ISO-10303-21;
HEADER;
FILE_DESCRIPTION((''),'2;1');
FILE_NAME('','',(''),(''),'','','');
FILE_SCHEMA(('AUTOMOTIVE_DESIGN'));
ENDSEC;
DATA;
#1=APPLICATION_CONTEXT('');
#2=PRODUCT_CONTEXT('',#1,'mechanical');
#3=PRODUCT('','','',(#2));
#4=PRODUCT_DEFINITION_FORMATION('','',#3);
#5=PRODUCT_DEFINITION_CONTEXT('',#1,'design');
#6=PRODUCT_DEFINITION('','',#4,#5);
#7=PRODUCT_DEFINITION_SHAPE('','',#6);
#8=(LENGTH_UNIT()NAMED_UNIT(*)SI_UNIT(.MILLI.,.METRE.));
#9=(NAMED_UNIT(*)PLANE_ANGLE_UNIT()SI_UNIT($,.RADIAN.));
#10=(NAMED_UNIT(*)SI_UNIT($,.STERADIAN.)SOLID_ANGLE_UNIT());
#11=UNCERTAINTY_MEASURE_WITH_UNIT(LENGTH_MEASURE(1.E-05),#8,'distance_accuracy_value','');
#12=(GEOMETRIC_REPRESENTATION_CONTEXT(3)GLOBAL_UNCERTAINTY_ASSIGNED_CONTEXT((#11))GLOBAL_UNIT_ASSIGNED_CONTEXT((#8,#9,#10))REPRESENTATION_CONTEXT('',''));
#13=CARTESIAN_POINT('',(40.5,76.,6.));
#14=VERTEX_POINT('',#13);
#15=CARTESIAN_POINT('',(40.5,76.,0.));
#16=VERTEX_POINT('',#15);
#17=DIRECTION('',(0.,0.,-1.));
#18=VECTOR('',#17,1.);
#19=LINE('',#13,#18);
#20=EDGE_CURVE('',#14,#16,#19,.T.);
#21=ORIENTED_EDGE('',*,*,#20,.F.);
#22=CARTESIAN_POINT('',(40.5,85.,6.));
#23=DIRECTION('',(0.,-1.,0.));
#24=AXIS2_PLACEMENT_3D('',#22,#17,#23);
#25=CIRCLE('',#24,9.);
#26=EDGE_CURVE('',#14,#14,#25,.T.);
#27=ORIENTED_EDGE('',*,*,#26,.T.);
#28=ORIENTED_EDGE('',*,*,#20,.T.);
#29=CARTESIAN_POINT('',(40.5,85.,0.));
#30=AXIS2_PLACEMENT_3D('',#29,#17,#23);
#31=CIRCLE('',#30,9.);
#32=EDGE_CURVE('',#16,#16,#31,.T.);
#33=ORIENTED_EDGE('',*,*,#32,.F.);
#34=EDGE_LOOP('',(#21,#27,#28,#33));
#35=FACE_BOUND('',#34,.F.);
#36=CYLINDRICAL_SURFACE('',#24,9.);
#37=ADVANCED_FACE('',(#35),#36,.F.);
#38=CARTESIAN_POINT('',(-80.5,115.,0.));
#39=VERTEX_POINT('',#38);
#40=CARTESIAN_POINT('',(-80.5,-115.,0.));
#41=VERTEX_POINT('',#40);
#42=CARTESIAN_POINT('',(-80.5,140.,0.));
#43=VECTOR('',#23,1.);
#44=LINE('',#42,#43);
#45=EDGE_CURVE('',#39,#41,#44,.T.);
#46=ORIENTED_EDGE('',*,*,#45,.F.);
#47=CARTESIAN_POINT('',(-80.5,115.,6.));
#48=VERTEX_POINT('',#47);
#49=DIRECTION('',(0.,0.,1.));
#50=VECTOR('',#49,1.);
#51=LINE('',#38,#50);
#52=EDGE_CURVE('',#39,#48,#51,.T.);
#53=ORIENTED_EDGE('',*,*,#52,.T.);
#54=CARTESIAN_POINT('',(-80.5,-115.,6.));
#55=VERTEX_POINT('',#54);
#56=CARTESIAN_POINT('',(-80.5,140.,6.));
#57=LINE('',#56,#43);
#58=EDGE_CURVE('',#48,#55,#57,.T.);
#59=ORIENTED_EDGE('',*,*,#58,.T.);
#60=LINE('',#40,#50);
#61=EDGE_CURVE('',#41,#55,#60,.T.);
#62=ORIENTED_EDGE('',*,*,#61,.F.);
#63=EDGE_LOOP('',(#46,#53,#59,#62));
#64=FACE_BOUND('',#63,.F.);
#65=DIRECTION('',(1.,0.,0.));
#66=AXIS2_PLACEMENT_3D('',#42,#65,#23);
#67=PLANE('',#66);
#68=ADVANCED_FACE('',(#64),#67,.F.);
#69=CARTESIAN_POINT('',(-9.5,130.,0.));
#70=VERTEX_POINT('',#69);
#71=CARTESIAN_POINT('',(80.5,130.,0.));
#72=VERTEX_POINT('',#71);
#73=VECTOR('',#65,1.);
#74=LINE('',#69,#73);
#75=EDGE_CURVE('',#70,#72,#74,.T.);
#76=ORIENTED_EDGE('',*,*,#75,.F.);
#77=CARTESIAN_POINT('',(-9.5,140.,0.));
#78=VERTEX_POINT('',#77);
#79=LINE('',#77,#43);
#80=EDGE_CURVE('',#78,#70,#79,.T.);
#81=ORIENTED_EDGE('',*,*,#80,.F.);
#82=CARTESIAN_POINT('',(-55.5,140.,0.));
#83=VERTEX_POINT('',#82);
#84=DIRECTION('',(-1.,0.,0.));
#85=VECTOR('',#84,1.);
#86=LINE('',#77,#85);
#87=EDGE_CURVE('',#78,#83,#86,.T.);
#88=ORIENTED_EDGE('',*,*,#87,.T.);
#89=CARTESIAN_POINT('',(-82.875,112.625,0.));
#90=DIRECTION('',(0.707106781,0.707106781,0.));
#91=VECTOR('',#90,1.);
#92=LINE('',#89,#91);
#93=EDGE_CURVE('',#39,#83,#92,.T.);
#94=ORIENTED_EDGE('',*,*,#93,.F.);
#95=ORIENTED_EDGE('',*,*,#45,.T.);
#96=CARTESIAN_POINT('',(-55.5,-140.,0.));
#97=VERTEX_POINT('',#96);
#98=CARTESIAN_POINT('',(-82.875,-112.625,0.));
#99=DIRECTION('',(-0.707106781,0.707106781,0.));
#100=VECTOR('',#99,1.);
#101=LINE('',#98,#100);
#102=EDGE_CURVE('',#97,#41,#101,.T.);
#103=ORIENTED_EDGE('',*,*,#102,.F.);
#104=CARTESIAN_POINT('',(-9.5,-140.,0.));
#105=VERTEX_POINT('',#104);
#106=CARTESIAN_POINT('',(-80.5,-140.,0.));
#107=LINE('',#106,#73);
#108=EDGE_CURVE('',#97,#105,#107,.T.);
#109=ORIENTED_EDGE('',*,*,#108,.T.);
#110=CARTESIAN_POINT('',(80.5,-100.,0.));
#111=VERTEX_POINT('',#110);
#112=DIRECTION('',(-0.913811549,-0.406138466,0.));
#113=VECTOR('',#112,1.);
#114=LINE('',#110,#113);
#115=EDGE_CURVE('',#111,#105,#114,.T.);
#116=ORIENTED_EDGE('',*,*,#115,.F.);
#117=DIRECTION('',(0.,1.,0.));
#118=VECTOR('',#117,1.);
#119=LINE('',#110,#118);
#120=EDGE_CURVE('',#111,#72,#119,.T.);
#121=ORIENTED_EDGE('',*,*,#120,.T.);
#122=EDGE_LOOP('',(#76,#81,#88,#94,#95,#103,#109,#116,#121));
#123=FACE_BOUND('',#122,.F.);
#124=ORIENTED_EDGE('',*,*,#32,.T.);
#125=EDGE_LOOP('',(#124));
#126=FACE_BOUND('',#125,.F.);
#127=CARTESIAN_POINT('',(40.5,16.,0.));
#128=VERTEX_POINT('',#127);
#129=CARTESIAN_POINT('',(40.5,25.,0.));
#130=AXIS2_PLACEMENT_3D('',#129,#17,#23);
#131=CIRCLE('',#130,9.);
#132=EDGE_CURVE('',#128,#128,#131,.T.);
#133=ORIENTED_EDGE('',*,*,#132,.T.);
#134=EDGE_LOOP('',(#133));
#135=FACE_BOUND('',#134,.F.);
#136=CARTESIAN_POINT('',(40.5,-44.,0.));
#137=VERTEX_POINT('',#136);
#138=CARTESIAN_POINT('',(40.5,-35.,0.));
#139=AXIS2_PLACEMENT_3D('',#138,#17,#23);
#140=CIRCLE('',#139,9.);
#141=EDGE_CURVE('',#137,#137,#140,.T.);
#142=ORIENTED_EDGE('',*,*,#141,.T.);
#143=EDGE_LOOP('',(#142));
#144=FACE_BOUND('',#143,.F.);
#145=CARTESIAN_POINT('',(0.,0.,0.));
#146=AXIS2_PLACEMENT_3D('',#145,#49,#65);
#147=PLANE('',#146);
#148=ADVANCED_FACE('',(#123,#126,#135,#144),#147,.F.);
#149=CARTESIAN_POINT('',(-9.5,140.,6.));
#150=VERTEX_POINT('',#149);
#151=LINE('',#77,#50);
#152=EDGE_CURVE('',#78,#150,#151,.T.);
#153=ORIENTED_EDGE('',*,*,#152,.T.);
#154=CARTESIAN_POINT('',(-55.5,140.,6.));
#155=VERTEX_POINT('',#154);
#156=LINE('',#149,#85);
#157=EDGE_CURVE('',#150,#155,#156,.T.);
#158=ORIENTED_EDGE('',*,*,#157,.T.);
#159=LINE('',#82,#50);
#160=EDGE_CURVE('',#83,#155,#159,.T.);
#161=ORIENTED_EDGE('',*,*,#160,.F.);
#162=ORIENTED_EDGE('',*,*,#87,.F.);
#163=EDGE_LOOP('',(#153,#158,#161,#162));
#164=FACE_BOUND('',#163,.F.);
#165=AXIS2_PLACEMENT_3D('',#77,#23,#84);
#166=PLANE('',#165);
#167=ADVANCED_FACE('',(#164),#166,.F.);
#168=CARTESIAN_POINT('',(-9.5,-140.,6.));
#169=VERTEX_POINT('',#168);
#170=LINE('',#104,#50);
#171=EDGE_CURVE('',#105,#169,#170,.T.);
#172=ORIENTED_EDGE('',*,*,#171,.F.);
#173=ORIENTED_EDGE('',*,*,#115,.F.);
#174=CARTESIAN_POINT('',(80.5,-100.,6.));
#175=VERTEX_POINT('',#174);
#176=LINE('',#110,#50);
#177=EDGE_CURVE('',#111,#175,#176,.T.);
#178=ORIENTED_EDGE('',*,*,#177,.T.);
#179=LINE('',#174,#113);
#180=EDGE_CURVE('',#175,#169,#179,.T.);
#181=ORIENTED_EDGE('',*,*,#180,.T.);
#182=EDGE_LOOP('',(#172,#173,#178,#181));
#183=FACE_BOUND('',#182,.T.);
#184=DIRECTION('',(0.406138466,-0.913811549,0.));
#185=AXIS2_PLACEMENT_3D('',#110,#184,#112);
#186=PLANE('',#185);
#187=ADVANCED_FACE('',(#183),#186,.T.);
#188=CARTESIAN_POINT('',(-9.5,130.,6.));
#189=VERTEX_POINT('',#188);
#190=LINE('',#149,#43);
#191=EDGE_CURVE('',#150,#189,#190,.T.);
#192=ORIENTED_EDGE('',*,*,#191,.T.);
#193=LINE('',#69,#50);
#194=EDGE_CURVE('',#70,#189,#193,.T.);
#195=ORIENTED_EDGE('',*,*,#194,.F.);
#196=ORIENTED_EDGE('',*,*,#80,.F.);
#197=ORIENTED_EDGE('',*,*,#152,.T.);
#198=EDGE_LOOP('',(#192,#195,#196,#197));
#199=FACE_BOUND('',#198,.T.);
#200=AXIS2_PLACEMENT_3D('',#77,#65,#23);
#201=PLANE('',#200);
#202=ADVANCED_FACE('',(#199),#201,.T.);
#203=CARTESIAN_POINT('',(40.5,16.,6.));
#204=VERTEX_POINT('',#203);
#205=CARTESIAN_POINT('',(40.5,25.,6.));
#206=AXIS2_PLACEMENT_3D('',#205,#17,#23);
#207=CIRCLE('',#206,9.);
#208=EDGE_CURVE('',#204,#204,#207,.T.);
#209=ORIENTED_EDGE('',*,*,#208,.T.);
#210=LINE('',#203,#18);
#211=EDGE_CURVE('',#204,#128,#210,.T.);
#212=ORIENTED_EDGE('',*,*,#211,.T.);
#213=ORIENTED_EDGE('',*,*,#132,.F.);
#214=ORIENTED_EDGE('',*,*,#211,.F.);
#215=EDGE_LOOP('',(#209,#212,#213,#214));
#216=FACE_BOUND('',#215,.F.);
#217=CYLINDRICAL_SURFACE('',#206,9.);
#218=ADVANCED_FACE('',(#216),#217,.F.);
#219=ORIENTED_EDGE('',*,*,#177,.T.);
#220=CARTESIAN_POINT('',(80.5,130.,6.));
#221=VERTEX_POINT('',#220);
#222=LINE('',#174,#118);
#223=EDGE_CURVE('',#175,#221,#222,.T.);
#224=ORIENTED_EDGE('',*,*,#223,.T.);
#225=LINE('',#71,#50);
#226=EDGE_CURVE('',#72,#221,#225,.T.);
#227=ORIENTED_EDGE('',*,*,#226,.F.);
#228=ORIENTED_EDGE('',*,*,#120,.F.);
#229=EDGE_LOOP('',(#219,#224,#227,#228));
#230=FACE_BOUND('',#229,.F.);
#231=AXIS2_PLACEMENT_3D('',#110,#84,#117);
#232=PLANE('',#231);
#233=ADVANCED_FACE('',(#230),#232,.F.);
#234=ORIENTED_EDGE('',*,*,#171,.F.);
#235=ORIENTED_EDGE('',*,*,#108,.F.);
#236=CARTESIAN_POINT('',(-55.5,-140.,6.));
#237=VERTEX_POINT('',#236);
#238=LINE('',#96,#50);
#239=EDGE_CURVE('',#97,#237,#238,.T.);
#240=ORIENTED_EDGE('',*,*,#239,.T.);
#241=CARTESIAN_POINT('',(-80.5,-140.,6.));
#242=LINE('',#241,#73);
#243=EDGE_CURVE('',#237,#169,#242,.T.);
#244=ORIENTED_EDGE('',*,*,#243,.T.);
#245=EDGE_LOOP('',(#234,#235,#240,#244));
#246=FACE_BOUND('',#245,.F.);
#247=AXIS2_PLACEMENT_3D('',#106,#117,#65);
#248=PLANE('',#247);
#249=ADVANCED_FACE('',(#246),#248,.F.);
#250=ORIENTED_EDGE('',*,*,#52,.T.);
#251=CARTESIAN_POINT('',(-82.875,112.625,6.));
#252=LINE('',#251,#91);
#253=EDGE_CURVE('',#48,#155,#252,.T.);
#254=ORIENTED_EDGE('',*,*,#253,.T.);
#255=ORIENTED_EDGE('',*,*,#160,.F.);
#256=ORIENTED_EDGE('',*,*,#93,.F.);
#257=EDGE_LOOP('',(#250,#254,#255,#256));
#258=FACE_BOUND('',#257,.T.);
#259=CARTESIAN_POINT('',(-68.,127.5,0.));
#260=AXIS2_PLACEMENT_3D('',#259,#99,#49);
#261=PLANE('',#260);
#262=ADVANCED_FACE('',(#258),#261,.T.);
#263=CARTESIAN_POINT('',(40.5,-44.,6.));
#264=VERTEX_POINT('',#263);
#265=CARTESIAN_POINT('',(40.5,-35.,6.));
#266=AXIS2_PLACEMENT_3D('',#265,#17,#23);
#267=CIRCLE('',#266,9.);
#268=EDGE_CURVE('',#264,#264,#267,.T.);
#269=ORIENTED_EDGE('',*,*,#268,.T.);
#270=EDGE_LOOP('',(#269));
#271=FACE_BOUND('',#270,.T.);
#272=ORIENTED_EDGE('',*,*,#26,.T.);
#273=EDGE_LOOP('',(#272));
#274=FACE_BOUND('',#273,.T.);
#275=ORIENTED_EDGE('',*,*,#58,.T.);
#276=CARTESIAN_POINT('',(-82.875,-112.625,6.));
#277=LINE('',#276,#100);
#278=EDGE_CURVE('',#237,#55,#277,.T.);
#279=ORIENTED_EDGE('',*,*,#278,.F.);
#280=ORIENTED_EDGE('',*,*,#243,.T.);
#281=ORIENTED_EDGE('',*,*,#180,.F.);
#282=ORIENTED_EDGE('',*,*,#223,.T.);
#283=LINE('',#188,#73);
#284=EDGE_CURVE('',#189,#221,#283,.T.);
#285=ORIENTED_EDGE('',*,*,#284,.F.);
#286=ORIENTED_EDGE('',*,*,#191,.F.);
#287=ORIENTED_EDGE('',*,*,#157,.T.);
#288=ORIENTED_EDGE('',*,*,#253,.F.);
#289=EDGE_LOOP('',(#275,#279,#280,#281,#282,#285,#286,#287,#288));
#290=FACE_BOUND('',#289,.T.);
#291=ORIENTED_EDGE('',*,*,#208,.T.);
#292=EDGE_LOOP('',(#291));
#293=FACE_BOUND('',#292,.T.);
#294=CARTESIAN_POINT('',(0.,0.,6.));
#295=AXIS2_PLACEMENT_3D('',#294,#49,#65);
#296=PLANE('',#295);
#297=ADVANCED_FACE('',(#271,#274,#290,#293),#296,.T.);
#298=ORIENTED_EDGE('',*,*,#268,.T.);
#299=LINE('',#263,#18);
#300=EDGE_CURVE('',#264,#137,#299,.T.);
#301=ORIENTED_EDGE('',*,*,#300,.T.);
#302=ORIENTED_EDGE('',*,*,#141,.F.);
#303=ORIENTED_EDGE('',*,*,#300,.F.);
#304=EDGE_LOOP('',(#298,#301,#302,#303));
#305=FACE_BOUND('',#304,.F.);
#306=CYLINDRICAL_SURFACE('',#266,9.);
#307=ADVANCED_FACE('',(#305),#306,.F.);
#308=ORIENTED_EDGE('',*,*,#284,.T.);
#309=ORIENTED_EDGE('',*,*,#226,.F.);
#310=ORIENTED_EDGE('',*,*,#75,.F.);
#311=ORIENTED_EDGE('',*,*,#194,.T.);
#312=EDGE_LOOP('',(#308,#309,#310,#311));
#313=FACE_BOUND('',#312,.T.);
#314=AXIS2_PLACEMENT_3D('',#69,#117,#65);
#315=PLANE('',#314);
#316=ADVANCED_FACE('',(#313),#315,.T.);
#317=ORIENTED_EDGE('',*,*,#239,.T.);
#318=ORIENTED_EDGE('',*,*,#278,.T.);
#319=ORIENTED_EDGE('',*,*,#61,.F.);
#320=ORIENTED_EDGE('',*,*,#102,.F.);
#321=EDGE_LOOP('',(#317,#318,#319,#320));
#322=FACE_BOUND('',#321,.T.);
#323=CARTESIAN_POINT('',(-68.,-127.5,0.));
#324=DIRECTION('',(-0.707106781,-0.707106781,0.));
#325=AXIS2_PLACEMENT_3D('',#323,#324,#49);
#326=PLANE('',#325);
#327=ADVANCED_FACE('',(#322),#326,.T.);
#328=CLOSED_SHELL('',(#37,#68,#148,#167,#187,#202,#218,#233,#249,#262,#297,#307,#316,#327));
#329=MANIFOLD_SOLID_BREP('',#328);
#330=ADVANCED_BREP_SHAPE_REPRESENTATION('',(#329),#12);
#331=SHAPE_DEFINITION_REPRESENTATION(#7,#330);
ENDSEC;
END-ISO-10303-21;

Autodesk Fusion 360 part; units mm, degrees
sketch "スケッチ1" plane through (0, 0, 0) normal (0, 0, 1) x (1, 0, 0)
  line L0 (-9.5, 140) -> (-80.5, 140)
  line L1 (-80.5, 140) -> (-80.5, -140)
  line L2 (-80.5, -140) -> (-9.5, -140)
  line L3 (80.5, -100) -> (80.5, 130)
  line L4 (74.75, 130) -> (-80.5, -140) construction
  line L5 (-80.5, 140) -> (62.1814, -108.1416) construction
  line L6 (-9.5, 140) -> (-9.5, 130)
  line L7 (-9.5, 130) -> (80.5, 130)
  line L8 (-80.5, -140) -> (-9.5, -140) construction
  line L9 (80.5, -100) -> (-9.5, -140)
  dimension "d2" = 280
  dimension "d5" = 71
extrude "押し出し1" add sketch "スケッチ1" along normal blind 6
chamfer "面取り1" distance 25 angle 45 2 edges at (-80.5, -140, 3) (-80.5, 140, 3)
sketch "スケッチ2" plane through (0, 0, 6) normal (0, 0, 1) x (-1, 0, 0)
  line L0 (55.5, -140) -> (80.5, -115)
  line L1 (80.5, -115) -> (80.5, 115)
  line L2 (80.5, 115) -> (55.5, 140)
  line L3 (55.5, 140) -> (9.5, 140)
  line L4 (9.5, 140) -> (-80.5, 100)
  line L5 (-80.5, 100) -> (-80.5, -130)
  line L6 (-80.5, -130) -> (9.5, -130)
  line L7 (9.5, -130) -> (9.5, -140)
  line L8 (9.5, -140) -> (55.5, -140)
  line L9 (-80.5, -130) -> (-40.5, -130) construction
  line L10 (-40.5, -130) -> (-40.5, -85) construction
  line L11 (-40.5, -85) -> (-80.5, -85) construction
  line L12 (-80.5, -85) -> (-80.5, -130) construction
  line L13 (-40.5, -85) -> (-40.5, -25) construction
  line L14 (-40.5, -25) -> (-40.5, 35) construction
  point P0 (-40.5, -85)
  point P1 (-40.5, -25)
  point P2 (-40.5, 35)
  dimension "d10" = 40
  dimension "d11" = 45
  dimension "d12" = 60
  dimension "d13" = 60
hole "穴1" at (40.5, 85, 6) at (40.5, 25, 6) at (40.5, -35, 6) direction (0, 0, -1) diameter 18 end through all
equation "d5 = 25 mm + 46 mm"
